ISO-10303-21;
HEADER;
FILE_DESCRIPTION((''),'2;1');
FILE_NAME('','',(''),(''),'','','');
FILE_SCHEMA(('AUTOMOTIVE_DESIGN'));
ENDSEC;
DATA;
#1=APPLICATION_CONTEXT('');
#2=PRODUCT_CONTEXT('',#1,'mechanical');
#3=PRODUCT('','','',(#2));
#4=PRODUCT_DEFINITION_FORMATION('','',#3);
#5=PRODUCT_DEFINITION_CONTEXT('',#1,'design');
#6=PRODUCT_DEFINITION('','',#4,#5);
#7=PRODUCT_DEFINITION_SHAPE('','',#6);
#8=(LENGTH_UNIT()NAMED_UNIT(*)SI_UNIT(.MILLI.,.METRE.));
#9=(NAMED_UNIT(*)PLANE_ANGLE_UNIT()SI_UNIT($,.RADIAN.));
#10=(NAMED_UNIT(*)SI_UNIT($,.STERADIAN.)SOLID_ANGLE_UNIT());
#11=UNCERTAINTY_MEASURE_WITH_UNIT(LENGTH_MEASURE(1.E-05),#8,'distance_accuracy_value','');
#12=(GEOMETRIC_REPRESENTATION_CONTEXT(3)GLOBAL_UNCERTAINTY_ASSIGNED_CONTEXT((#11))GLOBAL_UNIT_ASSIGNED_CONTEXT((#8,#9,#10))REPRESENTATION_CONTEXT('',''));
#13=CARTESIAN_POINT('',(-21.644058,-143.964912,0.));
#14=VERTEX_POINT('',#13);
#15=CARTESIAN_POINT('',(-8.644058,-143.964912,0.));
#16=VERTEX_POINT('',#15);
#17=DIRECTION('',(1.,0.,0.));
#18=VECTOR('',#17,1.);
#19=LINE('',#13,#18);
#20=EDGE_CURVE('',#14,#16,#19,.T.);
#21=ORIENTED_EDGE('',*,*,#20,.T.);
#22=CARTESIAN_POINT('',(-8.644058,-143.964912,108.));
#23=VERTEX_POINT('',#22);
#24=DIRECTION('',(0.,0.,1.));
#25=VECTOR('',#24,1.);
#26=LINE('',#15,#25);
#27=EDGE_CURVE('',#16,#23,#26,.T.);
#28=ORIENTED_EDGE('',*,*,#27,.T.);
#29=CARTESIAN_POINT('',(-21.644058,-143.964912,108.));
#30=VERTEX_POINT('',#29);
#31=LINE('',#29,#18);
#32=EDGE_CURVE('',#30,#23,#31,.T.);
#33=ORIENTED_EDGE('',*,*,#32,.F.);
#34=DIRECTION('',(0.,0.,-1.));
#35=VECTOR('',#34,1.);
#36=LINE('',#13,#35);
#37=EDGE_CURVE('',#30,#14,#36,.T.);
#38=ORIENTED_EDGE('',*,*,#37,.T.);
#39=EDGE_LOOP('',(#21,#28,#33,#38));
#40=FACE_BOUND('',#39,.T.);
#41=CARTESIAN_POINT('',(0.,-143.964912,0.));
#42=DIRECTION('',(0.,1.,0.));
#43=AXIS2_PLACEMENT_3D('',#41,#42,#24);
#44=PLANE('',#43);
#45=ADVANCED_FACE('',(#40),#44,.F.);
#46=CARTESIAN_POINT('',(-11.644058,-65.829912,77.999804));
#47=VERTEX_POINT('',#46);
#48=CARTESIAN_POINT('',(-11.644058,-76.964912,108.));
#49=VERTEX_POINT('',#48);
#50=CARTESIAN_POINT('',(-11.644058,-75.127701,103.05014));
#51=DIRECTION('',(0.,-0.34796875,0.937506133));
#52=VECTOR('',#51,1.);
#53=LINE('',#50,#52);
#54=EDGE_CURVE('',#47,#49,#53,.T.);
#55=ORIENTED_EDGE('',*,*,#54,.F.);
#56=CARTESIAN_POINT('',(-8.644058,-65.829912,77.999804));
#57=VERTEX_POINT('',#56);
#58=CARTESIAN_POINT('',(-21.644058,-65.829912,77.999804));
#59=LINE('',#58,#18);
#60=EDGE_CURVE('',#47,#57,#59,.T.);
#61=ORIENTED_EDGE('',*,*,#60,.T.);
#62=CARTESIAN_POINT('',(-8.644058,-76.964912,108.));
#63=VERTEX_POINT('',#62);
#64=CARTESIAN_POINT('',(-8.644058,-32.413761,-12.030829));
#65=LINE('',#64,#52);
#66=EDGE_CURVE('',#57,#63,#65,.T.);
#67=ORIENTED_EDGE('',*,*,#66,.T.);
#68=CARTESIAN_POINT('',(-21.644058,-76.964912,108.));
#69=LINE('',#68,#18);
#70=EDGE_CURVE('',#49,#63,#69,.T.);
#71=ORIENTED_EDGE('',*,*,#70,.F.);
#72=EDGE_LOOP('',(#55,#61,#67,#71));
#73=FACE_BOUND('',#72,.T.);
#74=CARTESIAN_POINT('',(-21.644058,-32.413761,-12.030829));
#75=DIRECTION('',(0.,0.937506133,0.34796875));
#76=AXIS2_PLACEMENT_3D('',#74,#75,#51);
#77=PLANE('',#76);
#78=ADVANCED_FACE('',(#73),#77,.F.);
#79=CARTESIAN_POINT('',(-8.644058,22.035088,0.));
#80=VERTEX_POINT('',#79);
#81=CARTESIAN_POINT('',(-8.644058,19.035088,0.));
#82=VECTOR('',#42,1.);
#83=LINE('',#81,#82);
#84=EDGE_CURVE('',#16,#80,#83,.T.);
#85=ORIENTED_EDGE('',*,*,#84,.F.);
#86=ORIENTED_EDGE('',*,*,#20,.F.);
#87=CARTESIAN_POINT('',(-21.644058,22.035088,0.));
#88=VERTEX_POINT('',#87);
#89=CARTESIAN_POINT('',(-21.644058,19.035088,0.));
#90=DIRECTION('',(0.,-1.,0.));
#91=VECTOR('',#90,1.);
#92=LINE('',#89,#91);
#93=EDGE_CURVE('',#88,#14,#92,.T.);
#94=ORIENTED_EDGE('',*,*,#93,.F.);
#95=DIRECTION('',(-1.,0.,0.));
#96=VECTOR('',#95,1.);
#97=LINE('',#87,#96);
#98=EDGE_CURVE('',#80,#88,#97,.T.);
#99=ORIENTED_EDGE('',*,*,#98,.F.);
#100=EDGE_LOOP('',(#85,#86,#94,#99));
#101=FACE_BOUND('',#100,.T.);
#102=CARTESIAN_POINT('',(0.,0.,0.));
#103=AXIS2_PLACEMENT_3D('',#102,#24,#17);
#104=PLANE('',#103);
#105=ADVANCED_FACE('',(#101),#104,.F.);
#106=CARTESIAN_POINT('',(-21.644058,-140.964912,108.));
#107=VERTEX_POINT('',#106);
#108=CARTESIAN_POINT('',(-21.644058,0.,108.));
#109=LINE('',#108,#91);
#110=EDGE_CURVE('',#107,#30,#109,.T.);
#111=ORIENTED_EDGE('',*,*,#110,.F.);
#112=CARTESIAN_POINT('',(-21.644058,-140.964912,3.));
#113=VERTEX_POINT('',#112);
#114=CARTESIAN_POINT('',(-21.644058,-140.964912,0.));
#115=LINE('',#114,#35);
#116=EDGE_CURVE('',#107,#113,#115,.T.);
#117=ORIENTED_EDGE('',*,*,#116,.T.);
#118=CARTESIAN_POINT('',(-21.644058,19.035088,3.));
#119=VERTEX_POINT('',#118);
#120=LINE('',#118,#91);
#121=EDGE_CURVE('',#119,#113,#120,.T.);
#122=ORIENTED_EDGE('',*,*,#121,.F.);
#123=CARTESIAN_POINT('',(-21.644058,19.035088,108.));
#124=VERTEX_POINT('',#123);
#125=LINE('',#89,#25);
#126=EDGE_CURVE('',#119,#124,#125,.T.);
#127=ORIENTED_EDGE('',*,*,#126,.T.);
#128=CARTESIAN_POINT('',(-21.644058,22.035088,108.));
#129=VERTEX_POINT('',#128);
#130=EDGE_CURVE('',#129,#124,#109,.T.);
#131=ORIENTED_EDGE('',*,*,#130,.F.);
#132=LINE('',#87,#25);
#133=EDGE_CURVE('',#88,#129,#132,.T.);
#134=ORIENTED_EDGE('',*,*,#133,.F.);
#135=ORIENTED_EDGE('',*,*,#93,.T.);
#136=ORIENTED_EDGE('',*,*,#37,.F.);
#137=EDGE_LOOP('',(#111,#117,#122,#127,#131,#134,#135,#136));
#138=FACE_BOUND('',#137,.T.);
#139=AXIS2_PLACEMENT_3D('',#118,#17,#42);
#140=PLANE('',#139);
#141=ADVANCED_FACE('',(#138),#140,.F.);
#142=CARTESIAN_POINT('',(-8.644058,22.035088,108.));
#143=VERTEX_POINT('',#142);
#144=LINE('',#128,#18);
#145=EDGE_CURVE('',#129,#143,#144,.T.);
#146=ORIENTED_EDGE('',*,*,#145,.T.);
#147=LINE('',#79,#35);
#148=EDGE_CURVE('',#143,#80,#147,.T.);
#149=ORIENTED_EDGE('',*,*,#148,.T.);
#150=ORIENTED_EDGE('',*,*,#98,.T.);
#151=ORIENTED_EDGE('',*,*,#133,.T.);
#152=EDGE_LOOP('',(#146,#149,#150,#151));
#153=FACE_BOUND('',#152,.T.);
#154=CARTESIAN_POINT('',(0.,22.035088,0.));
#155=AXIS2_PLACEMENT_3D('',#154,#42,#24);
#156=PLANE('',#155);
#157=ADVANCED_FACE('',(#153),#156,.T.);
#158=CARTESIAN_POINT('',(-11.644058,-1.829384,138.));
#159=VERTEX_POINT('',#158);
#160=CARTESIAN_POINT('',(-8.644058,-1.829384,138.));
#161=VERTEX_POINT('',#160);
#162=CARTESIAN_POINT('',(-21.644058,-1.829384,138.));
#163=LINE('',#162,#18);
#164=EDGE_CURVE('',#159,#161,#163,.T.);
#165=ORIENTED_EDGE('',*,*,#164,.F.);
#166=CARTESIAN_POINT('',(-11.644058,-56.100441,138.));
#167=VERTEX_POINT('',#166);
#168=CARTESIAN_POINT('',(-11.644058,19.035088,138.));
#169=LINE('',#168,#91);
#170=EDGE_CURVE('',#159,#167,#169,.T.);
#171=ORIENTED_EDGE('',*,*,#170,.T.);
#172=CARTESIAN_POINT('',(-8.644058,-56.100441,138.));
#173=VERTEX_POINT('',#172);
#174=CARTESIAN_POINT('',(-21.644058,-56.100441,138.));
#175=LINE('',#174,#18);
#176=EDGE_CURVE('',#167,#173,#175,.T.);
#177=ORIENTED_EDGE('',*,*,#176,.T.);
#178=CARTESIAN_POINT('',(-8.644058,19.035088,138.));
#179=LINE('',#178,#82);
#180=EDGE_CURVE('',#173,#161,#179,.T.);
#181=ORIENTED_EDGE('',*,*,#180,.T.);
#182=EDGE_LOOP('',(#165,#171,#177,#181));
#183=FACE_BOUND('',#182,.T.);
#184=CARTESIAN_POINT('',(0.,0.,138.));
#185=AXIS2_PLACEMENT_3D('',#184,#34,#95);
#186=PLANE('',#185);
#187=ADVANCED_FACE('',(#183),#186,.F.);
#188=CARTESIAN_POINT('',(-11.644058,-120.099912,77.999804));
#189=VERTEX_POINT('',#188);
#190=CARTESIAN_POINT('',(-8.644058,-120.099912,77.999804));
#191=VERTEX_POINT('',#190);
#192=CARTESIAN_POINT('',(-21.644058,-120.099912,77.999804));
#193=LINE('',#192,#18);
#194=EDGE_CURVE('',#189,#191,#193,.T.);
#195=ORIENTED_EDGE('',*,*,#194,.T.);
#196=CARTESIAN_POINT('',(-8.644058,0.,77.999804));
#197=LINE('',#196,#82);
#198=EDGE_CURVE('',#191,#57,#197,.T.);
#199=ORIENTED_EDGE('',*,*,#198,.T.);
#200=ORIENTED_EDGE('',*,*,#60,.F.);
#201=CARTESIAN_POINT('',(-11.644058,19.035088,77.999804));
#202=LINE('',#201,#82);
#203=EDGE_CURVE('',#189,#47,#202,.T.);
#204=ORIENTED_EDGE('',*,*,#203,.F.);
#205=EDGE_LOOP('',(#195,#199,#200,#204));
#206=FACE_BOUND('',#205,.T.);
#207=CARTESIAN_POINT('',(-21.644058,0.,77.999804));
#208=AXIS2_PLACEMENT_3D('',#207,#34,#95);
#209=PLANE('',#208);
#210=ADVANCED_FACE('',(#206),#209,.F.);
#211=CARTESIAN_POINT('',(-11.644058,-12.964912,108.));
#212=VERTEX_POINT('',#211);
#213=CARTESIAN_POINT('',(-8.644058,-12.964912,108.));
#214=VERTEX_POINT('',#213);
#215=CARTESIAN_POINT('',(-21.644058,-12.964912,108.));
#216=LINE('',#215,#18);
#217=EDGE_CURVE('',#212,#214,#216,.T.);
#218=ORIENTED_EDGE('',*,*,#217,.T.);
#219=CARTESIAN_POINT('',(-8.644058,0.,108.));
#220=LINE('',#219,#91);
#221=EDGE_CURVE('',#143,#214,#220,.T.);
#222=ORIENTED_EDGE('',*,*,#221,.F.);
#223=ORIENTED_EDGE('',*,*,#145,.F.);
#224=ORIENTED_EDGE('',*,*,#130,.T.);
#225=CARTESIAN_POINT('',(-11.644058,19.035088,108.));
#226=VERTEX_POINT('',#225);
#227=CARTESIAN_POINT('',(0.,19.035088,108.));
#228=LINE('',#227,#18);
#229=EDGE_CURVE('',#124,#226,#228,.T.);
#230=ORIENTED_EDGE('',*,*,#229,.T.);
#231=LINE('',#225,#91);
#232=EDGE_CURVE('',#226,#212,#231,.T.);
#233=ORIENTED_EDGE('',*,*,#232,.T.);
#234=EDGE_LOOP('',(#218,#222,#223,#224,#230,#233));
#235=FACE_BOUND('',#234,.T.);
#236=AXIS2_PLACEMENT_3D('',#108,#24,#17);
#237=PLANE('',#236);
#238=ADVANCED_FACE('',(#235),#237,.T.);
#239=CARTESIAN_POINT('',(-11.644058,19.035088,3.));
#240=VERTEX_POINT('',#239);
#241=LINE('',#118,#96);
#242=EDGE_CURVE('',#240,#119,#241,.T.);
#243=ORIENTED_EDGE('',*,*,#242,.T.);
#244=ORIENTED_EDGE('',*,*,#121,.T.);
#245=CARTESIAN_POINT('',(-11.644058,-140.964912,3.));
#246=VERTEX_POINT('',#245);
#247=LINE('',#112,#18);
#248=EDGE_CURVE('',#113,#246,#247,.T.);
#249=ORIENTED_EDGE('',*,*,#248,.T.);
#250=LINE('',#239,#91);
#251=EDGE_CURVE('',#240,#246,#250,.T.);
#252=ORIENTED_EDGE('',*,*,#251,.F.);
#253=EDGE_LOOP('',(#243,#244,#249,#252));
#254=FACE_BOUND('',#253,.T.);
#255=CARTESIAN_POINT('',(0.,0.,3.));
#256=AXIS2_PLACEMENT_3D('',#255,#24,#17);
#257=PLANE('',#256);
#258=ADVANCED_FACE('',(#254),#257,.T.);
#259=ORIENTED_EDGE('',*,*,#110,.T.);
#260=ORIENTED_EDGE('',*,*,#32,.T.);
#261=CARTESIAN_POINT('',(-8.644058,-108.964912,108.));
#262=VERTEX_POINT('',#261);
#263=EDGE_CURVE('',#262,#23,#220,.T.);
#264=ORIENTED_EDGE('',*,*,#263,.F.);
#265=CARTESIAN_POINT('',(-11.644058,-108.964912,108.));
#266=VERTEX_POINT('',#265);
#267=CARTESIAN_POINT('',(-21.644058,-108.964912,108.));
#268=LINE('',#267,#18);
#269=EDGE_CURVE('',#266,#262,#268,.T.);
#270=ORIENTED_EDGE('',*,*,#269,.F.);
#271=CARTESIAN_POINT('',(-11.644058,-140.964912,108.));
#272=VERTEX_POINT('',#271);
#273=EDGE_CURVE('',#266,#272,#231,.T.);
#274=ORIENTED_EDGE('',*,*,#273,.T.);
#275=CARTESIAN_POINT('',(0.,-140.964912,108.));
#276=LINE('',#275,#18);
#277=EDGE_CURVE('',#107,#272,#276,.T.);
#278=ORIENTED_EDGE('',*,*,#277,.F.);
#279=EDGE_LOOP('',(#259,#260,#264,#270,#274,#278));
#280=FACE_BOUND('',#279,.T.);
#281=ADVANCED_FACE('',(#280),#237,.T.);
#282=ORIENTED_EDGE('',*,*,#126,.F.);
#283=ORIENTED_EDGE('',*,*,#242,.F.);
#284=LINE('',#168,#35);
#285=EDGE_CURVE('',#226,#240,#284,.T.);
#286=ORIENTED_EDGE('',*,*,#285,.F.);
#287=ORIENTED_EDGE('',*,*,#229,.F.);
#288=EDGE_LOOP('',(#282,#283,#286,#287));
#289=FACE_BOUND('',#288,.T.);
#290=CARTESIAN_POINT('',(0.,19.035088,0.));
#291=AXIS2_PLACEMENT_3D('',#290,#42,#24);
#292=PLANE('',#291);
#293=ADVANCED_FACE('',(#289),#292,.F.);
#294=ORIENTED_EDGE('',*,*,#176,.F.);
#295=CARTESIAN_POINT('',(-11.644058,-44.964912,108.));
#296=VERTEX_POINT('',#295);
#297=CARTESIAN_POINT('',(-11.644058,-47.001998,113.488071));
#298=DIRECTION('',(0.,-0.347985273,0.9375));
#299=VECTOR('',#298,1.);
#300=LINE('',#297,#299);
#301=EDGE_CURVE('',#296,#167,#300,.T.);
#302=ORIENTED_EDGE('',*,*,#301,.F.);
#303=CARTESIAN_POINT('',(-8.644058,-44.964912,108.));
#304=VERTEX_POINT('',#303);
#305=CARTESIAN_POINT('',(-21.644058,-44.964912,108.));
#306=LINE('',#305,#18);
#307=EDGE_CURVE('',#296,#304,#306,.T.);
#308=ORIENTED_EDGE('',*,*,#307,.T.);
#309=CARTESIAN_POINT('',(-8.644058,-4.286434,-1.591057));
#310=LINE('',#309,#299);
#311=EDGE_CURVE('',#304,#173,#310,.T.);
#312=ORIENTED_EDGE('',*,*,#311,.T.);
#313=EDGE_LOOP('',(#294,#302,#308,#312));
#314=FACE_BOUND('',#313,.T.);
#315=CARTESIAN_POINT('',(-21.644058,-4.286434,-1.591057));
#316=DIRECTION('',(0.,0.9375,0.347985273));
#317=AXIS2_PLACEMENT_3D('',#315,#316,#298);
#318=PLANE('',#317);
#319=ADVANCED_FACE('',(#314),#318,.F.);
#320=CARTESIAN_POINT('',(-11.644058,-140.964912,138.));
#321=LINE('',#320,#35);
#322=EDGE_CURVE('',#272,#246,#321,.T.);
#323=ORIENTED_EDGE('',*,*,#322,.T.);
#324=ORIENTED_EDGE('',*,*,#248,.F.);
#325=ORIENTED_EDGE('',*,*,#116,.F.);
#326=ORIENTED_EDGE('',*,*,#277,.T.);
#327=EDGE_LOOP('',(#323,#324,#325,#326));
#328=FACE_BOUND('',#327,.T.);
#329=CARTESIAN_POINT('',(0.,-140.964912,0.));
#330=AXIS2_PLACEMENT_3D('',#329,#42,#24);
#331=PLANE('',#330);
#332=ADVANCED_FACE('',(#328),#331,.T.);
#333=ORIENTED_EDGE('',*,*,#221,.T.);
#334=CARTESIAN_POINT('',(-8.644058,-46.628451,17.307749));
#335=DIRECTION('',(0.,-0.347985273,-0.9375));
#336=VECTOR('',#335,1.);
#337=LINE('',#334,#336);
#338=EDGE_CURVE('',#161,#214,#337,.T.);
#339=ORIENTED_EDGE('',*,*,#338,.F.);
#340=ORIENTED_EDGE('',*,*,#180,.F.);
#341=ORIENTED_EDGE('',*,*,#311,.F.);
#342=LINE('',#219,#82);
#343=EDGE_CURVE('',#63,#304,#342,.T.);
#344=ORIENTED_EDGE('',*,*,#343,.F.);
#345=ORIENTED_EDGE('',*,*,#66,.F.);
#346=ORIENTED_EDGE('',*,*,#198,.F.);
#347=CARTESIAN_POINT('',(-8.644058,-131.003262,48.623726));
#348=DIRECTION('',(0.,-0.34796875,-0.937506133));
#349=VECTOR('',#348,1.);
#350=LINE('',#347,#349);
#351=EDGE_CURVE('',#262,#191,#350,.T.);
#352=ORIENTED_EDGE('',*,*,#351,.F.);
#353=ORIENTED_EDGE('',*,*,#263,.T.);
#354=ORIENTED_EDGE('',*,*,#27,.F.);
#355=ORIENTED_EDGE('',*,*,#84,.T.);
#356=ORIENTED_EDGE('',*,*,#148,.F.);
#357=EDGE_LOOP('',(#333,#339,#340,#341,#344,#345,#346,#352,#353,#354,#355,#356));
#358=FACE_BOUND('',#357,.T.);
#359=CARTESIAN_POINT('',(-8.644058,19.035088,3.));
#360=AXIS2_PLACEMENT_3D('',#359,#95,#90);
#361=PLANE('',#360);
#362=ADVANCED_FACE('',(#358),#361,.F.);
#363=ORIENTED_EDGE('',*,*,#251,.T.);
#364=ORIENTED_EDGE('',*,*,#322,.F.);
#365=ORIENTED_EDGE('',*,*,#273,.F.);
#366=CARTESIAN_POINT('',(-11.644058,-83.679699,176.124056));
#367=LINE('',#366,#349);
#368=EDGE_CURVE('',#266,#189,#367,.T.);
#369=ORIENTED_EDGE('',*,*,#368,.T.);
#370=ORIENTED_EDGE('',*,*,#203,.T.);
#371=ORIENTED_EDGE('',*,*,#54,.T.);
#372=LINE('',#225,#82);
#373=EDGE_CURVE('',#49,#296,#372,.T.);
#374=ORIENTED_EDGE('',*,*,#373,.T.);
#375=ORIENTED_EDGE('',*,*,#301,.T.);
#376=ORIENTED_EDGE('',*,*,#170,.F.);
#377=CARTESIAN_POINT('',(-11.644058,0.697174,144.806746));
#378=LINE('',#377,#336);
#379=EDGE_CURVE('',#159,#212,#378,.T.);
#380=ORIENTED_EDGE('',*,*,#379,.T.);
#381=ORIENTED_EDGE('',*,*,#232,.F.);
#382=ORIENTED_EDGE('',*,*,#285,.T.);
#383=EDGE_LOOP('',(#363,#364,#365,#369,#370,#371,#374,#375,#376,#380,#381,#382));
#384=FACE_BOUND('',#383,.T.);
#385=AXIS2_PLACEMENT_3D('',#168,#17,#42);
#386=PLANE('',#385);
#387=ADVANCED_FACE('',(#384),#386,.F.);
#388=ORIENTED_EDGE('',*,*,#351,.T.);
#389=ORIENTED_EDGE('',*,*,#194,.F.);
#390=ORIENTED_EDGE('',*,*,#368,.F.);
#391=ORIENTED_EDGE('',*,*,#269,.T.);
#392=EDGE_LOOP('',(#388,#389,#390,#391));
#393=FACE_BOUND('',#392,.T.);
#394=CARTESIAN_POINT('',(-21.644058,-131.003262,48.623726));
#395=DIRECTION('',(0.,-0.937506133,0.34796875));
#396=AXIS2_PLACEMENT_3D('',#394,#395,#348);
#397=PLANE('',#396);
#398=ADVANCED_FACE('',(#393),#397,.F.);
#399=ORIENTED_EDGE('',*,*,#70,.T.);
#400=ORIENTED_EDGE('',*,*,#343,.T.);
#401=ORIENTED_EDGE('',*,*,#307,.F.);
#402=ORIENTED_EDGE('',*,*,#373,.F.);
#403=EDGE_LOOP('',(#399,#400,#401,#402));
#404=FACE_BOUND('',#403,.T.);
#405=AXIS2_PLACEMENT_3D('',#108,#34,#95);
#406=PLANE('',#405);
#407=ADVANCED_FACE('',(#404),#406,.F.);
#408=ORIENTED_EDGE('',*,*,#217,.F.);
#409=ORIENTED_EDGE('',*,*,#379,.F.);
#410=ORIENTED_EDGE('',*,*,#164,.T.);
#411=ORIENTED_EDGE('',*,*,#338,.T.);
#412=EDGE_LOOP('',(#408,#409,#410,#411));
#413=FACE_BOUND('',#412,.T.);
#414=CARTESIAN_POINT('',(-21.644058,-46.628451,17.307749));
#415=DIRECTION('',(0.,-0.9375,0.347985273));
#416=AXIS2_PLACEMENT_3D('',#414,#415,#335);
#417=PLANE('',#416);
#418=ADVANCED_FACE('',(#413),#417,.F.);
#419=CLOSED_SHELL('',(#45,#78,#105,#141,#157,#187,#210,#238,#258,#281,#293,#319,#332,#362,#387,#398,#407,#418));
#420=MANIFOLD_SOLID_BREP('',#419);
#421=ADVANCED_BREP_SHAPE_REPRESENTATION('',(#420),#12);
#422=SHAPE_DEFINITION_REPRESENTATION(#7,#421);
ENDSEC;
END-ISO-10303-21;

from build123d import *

# Parameters (mm, degrees)
SKETCH_1_W          = 13
SKETCH_1_H          = 160
EXTRUDE_1_DEPTH     = 3
SKETCH_2_W          = 3
SKETCH_2_H          = 160
EXTRUDE_2_DEPTH     = 135
SKETCH_3_W          = 13
SKETCH_3_H          = 138
EXTRUDE_3_DEPTH     = 3
SKETCH_4_W          = 13
SKETCH_4_H          = 138
EXTRUDE_4_DEPTH     = 3
CUT_EXTRUDE_1_DEPTH = 14


with BuildPart() as part:
    # 草圖1 → 填料-伸長1 (new body)
    with BuildSketch(Plane.XY):
        with Locations((-15.144058005, -60.964912281)):
            Rectangle(SKETCH_1_W, SKETCH_1_H)
    extrude(amount=EXTRUDE_1_DEPTH)

    # 草圖2 → 填料-伸長2 (add)
    with BuildSketch(Plane.XY.offset(3)):
        with Locations((-10.144058005, -60.964912281)):
            Rectangle(SKETCH_2_W, SKETCH_2_H)
    extrude(amount=EXTRUDE_2_DEPTH)

    # 草圖3 → 填料-伸長3 (add)
    with BuildSketch(Plane.XZ.offset(140.964912281)):
        with Locations((-15.144058005, 69)):
            Rectangle(SKETCH_3_W, SKETCH_3_H)
    extrude(amount=EXTRUDE_3_DEPTH)

    # 草圖4 → 填料-伸長4 (add)
    with BuildSketch(Plane(origin=(0, 19.035087719, 0), x_dir=(1, 0, 0), z_dir=(0, 1, 0))):
        with Locations((-15.144058005, -69)):
            Rectangle(SKETCH_4_W, SKETCH_4_H)
    extrude(amount=EXTRUDE_4_DEPTH)

    # 草圖5 → 除料-伸長1 (cut, through all)
    with BuildSketch(Plane(origin=(-8.644058005, 0, 0), x_dir=(0, 0, -1), z_dir=(1, 0, 0))):
        Polygon((-108, -76.964912281), (-108, -44.964912281), (-138, -56.100441006), (-138, -143.964912281), (-108, -143.964912281), (-108, -108.964912281), (-77.999803751, -120.099912281), (-77.999803751, -65.829912281), align=None)
        Polygon((-138, 22.035087719), (-138, -1.829383555), (-108, -12.964912281), (-108, 22.035087719), align=None)
    extrude(amount=-CUT_EXTRUDE_1_DEPTH, mode=Mode.SUBTRACT)


solid = part.part
